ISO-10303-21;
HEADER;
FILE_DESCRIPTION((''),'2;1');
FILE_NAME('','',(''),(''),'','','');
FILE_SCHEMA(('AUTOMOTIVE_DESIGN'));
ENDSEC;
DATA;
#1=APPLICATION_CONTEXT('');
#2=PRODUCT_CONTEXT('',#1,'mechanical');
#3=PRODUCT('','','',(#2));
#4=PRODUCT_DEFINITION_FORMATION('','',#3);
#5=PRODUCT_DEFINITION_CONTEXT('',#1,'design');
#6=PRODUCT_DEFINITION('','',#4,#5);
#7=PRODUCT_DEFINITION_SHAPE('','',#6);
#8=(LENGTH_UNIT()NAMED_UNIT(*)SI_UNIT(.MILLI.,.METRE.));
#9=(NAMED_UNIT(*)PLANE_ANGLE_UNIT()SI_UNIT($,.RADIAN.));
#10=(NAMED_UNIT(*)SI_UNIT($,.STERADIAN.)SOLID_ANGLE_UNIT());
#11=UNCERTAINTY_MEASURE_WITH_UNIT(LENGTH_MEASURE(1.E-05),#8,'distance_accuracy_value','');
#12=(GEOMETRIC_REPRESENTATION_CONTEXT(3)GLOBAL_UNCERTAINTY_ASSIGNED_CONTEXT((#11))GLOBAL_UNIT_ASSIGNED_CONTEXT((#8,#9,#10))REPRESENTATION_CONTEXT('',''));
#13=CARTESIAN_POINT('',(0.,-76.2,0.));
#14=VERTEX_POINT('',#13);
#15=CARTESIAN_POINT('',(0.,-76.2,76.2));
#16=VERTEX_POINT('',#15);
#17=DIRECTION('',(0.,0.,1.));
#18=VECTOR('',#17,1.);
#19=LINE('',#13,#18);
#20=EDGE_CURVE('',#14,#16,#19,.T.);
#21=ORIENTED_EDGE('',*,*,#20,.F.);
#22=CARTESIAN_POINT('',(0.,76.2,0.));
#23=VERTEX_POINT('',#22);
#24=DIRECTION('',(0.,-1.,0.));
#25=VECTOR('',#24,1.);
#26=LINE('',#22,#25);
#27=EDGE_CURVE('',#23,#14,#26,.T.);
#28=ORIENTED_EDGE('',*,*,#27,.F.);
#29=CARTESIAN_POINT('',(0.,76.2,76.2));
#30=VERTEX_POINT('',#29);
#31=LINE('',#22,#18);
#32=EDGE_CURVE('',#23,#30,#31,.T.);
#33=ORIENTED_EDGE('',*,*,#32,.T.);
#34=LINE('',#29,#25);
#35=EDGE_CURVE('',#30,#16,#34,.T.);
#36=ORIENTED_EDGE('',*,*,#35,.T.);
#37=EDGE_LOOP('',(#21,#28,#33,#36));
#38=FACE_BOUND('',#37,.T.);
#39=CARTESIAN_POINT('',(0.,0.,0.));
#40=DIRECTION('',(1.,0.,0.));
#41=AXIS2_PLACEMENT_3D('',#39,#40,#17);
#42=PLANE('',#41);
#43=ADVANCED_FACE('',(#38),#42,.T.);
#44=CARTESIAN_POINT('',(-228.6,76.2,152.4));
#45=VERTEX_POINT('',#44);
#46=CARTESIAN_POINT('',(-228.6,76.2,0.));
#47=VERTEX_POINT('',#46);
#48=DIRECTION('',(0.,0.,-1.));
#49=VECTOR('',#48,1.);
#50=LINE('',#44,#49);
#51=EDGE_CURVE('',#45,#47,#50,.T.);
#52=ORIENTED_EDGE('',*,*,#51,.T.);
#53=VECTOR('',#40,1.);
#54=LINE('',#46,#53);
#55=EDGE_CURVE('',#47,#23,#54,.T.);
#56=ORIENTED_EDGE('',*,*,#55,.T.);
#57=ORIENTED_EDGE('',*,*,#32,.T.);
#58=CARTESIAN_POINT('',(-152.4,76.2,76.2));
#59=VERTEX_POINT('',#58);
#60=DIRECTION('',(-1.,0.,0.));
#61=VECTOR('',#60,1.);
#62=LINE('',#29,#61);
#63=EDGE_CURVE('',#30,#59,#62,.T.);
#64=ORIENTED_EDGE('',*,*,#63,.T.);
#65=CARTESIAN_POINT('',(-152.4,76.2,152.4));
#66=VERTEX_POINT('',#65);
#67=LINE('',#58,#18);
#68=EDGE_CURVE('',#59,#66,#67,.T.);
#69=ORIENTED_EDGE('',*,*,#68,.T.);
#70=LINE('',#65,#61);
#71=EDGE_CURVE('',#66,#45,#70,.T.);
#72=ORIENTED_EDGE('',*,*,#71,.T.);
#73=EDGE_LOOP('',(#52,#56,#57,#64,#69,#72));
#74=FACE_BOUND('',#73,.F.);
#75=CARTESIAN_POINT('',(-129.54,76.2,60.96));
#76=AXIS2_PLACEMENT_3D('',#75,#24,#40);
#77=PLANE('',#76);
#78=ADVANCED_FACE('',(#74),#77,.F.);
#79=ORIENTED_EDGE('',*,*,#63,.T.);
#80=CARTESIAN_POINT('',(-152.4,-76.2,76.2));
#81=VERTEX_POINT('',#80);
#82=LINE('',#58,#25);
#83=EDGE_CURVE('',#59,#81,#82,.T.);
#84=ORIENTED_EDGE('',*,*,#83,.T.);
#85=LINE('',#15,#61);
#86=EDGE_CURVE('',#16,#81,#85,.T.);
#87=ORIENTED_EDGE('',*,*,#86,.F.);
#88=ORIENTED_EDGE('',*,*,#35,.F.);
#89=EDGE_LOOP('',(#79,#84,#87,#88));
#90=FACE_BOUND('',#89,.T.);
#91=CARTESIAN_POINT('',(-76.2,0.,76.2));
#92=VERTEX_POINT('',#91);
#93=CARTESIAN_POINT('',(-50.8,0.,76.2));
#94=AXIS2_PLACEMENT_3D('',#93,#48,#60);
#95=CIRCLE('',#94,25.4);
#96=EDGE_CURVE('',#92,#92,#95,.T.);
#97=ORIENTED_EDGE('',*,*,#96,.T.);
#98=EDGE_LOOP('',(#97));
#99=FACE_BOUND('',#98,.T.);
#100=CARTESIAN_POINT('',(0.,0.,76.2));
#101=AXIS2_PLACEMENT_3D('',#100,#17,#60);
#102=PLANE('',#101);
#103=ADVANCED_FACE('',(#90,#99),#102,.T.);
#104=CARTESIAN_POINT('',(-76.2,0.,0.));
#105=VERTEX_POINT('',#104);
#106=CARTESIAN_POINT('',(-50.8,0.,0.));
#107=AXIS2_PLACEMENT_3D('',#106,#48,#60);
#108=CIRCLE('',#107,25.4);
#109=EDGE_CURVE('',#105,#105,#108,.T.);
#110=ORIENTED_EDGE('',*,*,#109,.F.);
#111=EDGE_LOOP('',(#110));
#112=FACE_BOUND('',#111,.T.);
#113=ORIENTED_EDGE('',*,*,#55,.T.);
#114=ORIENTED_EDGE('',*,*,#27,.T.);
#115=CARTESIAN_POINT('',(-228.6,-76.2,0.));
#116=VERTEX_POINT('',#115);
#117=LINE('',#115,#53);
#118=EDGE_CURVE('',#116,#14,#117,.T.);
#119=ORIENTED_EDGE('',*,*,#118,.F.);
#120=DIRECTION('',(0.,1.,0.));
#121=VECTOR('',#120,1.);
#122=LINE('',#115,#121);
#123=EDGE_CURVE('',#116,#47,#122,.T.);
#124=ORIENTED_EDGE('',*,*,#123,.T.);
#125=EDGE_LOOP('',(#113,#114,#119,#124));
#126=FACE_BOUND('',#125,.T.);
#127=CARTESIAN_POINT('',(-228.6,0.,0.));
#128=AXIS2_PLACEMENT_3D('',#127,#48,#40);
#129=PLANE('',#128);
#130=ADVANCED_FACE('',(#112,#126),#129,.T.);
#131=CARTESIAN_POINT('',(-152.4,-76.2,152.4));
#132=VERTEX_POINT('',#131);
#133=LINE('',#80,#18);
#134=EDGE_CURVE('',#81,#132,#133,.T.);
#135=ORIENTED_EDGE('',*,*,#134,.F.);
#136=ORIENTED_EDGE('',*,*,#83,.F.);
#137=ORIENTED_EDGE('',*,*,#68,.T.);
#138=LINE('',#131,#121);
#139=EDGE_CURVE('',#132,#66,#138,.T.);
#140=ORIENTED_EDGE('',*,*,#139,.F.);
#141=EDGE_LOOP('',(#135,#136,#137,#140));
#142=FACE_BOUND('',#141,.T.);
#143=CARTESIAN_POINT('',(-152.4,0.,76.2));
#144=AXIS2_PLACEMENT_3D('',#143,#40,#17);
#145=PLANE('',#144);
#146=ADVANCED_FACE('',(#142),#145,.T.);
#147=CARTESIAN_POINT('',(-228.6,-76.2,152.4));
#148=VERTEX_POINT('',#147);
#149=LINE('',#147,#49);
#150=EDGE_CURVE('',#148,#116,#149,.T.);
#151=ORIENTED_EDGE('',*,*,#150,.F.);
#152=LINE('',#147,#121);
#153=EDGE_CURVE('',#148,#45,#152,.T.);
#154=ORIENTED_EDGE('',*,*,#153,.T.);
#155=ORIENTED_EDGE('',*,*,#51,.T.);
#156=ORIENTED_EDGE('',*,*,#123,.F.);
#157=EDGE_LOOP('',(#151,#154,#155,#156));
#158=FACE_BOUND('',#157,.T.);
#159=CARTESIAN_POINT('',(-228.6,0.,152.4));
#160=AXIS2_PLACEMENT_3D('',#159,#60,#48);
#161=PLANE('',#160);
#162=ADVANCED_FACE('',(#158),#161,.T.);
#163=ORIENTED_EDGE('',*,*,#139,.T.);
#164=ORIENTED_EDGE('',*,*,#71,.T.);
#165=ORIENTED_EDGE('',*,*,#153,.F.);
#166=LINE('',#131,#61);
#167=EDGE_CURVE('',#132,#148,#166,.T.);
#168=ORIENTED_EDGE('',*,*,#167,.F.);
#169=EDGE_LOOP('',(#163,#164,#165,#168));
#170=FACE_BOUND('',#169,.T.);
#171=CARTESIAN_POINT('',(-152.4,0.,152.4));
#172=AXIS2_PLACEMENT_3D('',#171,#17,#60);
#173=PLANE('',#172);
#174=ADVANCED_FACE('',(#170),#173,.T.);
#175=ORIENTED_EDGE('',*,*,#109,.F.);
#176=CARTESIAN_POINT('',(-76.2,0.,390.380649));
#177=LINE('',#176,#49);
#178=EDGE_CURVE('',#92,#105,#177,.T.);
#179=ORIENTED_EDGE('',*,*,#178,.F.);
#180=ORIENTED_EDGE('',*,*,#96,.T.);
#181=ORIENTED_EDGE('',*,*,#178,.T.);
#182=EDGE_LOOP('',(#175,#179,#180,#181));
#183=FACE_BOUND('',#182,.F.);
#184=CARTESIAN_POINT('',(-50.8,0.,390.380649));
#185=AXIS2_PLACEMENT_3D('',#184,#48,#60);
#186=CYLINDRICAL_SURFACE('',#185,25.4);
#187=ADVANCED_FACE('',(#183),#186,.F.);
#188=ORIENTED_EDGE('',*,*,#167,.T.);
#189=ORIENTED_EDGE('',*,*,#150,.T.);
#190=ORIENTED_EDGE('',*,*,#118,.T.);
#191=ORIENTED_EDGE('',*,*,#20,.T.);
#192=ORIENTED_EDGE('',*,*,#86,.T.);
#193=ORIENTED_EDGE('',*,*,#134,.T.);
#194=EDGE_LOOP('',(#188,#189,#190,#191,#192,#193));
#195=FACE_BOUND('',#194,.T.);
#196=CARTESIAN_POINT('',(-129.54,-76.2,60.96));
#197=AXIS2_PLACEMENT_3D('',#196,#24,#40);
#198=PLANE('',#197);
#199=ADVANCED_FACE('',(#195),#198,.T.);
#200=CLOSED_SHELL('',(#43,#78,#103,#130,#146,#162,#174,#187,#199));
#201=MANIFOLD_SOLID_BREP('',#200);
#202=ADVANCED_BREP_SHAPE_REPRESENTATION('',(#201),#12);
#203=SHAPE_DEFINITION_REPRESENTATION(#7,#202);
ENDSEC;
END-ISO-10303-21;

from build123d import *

# Parameters (mm, degrees)
F1_DEPTH = 76.2
F3_D     = 50.8


with BuildPart() as f1:
    # F0 (on Front) → F1 (new body, symmetric)
    with BuildSketch(Plane.XZ):
        Polygon((-228.6, 0), (0, 0), (0, 76.2), (-152.4, 76.2), (-152.4, 152.4), (-228.6, 152.4), align=None)
    extrude(amount=F1_DEPTH, both=True)

    # F3 (through all)
    with Locations(Plane.XY.offset(76.2)):
        with Locations((-50.8, 0)):
            Hole(F3_D / 2)


solid = f1.part
